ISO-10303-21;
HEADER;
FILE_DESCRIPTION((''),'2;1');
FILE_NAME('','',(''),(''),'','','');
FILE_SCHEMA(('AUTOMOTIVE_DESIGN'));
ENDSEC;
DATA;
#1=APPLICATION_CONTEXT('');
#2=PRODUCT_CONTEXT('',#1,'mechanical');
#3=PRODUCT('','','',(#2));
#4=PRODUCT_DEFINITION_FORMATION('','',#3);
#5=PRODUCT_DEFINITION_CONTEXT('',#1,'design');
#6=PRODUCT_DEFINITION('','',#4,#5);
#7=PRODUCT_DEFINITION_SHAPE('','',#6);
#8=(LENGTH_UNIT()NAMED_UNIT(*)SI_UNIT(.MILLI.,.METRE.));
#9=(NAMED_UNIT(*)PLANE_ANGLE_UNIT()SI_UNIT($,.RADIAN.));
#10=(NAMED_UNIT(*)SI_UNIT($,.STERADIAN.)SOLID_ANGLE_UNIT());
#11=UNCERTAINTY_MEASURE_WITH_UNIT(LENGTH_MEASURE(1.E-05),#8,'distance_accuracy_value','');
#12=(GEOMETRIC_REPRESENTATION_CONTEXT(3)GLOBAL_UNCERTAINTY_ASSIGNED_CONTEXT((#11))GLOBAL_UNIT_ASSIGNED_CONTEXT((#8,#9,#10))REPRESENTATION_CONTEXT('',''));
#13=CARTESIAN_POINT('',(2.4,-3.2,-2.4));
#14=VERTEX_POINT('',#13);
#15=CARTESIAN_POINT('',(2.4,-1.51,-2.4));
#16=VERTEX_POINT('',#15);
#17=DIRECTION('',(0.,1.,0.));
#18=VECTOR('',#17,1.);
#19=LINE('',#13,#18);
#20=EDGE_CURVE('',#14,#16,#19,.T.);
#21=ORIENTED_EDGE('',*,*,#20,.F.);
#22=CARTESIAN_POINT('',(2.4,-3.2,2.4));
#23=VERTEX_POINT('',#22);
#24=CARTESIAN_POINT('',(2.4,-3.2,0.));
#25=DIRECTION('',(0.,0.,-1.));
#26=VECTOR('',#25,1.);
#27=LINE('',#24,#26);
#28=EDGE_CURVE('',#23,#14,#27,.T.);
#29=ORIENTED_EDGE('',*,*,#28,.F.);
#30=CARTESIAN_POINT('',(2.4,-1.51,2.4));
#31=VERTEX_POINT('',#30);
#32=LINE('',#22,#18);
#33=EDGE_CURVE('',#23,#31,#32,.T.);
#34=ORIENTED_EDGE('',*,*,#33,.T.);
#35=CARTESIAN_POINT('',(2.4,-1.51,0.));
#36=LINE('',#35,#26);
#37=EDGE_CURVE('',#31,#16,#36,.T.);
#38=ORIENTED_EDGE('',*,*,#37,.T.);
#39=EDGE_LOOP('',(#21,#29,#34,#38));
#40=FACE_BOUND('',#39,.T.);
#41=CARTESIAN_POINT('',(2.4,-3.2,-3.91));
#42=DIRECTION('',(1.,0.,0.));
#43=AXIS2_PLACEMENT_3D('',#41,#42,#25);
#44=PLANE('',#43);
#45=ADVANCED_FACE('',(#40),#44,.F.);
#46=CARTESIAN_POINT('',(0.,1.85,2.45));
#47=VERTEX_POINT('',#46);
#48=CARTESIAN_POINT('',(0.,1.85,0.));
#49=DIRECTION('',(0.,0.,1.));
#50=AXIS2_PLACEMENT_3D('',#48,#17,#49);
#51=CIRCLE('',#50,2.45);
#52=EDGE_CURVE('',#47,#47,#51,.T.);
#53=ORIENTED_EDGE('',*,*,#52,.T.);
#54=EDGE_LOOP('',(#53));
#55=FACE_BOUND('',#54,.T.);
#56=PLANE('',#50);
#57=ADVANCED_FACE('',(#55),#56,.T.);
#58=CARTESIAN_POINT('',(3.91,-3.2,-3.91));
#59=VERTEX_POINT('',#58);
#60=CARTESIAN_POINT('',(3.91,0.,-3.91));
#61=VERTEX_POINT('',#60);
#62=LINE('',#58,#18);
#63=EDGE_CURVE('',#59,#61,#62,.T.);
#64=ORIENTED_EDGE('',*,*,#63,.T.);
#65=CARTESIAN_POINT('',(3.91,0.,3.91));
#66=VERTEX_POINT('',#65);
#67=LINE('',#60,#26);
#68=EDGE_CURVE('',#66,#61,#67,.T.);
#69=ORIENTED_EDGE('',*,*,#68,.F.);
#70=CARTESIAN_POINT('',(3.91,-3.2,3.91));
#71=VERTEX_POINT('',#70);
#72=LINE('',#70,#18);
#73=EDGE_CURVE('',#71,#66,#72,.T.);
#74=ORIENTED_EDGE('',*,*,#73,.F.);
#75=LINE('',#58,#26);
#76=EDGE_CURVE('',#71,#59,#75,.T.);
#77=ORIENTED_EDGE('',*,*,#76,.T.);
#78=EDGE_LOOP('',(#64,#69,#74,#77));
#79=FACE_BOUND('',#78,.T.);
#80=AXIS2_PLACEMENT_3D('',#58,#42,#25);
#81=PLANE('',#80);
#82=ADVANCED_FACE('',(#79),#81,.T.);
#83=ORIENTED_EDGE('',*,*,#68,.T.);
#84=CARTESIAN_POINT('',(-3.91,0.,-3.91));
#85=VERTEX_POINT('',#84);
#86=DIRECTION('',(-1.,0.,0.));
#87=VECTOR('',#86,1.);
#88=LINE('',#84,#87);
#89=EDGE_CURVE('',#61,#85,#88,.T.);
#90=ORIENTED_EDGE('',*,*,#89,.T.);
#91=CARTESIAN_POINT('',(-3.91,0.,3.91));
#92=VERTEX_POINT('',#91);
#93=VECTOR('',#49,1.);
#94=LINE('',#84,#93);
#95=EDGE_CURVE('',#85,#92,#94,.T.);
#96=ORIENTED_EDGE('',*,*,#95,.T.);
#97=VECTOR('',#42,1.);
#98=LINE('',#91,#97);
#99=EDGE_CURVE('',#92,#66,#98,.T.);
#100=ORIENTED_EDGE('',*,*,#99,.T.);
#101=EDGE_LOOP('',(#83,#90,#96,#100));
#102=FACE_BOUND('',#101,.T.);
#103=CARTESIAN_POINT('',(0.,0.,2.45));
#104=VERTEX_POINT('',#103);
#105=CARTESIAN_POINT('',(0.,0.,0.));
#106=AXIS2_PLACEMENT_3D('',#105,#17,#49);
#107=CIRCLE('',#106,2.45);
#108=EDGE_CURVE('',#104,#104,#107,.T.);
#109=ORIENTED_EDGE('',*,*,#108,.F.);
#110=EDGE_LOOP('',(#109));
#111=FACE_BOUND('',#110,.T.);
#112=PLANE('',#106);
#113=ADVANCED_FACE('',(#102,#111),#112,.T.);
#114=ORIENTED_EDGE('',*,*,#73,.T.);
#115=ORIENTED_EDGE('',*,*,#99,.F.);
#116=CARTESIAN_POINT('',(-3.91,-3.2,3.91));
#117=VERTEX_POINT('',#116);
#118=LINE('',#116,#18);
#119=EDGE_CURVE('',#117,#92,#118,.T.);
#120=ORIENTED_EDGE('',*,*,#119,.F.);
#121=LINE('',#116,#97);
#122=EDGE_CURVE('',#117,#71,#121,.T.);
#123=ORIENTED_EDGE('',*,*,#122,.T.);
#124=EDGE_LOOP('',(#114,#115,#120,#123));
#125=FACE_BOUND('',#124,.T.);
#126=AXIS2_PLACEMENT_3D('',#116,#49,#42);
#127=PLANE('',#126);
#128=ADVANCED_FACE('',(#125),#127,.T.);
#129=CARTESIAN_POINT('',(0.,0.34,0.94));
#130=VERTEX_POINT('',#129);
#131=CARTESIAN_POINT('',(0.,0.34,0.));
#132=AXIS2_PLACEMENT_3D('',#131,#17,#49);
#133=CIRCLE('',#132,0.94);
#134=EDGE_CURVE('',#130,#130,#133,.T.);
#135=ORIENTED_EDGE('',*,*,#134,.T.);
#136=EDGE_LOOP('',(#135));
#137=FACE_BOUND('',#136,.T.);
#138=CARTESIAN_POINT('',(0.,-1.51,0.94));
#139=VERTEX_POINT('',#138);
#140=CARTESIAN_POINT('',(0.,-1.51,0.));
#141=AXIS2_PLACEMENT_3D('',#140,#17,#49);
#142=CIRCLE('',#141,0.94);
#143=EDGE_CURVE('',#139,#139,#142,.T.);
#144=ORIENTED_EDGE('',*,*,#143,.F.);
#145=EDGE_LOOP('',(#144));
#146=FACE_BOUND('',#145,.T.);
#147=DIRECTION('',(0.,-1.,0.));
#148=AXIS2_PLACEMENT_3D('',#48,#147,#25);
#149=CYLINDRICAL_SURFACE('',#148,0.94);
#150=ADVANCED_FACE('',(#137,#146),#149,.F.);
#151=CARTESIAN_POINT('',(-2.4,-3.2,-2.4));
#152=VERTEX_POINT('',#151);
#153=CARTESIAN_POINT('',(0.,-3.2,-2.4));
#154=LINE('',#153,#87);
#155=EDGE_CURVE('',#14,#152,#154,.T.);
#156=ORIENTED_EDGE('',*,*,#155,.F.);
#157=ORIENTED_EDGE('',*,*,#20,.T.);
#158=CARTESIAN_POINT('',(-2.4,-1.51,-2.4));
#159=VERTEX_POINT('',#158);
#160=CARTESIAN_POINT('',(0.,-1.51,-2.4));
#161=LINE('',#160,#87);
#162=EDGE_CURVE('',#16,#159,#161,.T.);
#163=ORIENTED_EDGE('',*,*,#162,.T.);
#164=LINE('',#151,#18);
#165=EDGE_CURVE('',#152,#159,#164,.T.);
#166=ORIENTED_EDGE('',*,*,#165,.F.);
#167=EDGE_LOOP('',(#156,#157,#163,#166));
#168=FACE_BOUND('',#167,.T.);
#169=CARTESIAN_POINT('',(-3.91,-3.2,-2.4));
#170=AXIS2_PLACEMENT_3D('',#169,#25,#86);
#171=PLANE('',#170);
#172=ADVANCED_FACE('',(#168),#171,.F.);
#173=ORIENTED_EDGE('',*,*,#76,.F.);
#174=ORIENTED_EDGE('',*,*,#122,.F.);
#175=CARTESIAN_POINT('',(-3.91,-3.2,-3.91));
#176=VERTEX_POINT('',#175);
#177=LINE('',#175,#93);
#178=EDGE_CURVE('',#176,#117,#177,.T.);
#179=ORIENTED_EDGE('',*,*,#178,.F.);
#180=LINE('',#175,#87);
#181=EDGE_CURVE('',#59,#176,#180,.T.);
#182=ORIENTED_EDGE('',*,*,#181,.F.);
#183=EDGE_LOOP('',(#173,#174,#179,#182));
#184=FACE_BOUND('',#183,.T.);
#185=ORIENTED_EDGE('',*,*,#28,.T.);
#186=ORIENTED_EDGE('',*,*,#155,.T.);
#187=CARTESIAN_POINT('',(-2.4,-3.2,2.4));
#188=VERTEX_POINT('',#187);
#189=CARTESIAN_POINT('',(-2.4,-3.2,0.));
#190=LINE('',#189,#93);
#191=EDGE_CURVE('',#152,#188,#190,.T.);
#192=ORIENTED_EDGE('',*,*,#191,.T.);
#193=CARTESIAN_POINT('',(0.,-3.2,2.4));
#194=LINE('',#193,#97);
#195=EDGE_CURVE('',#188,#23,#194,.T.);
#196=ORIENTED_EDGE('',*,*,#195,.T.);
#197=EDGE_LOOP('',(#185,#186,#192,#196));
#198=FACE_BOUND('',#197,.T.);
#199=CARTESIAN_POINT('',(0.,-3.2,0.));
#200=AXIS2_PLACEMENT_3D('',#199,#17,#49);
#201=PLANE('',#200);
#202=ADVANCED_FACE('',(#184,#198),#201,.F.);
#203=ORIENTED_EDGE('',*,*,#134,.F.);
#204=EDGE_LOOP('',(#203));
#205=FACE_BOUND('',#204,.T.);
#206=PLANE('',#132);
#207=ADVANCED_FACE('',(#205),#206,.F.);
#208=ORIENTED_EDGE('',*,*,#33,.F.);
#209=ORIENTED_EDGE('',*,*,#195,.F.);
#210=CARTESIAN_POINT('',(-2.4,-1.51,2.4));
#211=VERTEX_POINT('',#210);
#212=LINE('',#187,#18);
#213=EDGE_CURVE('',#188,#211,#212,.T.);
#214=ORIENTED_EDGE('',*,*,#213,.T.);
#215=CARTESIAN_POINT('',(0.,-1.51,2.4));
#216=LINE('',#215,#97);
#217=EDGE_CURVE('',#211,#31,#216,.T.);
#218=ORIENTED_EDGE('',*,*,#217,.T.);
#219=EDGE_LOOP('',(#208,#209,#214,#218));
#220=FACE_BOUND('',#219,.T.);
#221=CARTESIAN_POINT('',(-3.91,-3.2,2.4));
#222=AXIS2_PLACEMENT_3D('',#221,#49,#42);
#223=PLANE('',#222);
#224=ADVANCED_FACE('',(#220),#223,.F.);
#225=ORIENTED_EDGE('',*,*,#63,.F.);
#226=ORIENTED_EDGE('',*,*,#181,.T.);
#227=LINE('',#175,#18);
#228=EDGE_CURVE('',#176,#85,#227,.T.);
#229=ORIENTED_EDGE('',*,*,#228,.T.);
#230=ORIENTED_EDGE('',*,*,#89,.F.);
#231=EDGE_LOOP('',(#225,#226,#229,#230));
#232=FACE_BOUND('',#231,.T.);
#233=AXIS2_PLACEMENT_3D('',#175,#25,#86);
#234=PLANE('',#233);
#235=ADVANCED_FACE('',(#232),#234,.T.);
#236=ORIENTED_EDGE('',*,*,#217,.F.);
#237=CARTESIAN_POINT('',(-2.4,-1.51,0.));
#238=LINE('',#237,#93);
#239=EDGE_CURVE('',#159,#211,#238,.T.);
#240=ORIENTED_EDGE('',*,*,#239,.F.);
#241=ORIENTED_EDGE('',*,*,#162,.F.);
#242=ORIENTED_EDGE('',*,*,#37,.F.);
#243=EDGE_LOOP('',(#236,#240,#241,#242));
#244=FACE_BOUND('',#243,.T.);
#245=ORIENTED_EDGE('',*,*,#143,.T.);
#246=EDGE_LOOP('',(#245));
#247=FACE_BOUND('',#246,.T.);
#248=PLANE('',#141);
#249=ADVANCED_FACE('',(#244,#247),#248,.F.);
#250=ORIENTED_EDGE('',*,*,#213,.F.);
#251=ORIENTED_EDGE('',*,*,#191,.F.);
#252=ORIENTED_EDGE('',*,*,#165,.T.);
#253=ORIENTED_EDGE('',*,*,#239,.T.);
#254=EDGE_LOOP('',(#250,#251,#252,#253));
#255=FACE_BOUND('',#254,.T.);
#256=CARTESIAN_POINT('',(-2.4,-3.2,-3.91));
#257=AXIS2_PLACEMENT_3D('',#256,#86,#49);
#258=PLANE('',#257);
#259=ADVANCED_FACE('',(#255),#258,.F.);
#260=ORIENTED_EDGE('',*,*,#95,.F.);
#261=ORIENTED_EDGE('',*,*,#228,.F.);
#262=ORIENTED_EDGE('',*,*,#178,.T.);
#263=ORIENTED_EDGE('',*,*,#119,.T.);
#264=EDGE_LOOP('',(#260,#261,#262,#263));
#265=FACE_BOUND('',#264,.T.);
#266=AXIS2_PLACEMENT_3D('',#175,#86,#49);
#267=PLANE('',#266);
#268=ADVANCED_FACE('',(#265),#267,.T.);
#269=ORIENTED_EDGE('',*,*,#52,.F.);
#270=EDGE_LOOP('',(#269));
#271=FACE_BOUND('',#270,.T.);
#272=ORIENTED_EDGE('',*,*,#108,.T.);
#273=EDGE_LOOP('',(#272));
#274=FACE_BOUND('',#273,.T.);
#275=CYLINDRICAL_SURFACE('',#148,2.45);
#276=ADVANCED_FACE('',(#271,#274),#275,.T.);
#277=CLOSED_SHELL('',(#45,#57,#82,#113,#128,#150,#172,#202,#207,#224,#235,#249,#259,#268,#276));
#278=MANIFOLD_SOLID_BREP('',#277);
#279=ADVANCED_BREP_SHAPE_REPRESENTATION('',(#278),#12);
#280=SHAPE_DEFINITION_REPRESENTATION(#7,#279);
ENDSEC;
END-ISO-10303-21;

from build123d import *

# Parameters (mm, degrees)
SKETCH1_W           = 7.82
SKETCH1_H           = 7.82
BOSS_EXTRUDE1_DEPTH = 3.2
SKETCH2_R           = 2.45
BOSS_EXTRUDE2_DEPTH = 1.85
SHELL1_T            = -1.51


with BuildPart() as part:
    # Sketch1 → Boss-Extrude1 (new body)
    with BuildSketch(Plane(origin=(0, 0, 0), x_dir=(1, 0, 0), z_dir=(0, 1, 0))):
        Rectangle(SKETCH1_W, SKETCH1_H)
    extrude(amount=-BOSS_EXTRUDE1_DEPTH)

    # Sketch2 → Boss-Extrude2 (add)
    with BuildSketch(Plane(origin=(0, 0, 0), x_dir=(1, 0, 0), z_dir=(0, 1, 0))):
        with Locations(Location((0, 0, 0), (0, 0, 270))):
            Circle(SKETCH2_R)
    extrude(amount=BOSS_EXTRUDE2_DEPTH)

    # Shell1
    shell1_openings = [part.faces().sort_by_distance(p)[0] for p in [
        (0, -3.2, 0),
    ]]
    offset(amount=SHELL1_T, openings=shell1_openings, kind=Kind.INTERSECTION)


solid = part.part
